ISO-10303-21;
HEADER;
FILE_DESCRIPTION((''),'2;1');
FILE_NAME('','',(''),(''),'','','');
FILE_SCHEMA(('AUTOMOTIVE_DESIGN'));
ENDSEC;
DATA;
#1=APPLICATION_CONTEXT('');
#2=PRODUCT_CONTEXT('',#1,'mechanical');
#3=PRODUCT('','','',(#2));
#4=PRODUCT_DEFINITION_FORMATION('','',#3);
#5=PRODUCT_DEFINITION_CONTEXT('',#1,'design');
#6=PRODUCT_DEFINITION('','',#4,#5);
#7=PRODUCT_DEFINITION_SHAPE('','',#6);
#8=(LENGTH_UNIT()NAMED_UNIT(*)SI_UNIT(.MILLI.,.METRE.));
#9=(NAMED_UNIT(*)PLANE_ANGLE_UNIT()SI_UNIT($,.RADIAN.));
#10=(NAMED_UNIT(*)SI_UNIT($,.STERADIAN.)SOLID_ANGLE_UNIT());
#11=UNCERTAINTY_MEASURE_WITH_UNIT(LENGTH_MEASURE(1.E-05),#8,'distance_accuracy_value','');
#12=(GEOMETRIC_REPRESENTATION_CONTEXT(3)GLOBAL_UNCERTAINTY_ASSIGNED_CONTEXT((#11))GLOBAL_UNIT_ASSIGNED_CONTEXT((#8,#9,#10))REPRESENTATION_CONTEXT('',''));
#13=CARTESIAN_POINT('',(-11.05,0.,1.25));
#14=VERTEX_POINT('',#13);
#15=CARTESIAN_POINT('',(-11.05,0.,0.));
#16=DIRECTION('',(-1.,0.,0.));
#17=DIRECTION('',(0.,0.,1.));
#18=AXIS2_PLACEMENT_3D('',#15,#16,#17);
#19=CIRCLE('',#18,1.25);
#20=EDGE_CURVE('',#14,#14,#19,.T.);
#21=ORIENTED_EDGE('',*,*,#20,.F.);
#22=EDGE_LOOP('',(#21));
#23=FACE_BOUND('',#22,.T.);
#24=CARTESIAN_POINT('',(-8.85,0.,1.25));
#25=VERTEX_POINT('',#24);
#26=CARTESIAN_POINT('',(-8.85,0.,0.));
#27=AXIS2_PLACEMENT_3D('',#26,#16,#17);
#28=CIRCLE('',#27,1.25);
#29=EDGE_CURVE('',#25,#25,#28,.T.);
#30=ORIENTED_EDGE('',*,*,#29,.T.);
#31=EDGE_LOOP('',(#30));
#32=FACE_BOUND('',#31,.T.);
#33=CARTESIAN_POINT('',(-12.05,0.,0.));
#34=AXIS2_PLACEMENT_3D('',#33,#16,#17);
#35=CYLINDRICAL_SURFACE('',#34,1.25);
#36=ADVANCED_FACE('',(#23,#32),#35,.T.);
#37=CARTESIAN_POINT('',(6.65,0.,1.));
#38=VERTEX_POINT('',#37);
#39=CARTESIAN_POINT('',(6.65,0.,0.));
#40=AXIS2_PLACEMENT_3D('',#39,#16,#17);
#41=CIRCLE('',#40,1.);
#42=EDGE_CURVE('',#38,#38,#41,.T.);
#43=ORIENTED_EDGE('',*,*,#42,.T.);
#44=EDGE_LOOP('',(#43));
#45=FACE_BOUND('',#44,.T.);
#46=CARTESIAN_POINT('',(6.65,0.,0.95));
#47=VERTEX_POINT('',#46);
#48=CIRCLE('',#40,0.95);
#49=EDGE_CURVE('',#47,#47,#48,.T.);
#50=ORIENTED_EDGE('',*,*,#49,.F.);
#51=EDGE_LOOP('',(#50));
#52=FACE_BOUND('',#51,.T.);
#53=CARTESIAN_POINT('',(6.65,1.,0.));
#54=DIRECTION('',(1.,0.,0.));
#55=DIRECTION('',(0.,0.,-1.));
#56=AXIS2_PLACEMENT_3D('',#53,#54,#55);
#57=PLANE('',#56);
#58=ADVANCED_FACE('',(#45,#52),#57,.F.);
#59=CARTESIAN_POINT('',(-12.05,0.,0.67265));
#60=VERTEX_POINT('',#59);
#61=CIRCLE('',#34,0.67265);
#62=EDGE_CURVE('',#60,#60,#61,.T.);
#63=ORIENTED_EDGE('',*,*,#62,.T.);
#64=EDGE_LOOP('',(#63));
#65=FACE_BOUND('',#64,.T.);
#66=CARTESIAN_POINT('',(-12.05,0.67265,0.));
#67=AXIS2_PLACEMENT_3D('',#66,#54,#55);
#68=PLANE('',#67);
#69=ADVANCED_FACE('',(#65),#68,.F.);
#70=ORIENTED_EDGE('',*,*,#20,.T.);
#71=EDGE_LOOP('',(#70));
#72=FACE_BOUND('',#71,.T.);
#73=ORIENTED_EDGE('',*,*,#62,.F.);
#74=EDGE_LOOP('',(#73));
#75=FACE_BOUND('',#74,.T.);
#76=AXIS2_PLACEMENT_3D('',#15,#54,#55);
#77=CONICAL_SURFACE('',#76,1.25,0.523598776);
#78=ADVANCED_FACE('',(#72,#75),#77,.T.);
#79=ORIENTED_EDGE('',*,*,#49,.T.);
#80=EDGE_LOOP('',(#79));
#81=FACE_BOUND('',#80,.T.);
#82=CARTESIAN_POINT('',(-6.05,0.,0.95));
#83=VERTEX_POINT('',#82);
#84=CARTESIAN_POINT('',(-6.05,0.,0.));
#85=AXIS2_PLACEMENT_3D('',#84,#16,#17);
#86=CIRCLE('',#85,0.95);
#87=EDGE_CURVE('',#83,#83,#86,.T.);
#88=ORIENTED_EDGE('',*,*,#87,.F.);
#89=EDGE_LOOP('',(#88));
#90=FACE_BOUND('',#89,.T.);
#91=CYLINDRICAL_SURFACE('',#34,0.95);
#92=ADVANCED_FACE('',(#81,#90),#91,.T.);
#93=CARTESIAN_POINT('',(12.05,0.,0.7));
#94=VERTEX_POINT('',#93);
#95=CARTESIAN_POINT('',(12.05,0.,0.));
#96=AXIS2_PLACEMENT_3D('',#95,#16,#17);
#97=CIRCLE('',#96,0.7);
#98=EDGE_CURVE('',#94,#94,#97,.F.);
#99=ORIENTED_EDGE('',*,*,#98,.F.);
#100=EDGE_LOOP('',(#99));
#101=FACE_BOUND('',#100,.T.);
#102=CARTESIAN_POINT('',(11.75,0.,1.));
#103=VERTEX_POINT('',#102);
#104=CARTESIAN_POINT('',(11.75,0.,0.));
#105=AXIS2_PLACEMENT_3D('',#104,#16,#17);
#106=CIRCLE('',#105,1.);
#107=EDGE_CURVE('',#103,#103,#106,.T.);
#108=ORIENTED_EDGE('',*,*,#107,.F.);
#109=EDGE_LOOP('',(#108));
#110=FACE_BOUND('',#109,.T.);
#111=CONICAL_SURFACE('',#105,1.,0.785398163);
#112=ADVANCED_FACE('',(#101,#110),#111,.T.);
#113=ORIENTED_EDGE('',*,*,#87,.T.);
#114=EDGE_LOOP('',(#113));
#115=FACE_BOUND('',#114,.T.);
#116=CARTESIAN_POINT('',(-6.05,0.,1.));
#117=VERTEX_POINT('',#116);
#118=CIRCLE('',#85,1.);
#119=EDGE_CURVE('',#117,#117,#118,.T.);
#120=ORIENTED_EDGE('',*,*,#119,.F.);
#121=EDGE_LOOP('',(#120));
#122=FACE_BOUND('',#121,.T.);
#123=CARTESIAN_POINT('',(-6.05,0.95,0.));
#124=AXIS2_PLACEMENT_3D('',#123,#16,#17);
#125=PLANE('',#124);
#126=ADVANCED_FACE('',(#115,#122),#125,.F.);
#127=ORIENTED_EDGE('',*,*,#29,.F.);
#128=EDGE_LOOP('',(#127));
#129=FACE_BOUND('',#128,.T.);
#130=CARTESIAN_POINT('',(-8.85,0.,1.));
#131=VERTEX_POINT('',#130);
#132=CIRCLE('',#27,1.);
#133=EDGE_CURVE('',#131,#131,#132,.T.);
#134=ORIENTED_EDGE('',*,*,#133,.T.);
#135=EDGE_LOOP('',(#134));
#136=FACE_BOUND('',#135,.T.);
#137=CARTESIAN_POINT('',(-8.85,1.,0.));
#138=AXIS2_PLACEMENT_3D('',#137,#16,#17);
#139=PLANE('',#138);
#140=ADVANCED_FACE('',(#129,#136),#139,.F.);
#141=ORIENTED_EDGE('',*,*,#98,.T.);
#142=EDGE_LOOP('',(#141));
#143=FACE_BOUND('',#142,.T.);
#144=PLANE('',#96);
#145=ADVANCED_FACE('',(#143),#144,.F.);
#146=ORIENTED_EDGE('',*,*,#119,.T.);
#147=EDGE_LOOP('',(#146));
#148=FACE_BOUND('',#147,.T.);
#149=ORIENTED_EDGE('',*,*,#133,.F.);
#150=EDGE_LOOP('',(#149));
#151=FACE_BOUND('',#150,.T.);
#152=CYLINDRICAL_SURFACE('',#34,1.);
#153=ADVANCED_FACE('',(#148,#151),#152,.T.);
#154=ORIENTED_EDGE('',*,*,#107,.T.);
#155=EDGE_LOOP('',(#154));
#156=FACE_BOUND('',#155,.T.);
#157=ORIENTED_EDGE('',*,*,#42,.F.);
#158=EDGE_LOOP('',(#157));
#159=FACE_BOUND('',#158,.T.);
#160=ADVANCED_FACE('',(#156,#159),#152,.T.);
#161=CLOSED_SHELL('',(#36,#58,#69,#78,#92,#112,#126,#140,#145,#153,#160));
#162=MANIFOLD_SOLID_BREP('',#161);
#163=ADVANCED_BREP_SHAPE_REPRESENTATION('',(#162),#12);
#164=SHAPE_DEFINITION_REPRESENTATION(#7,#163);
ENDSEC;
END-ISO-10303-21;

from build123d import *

# Parameters (mm, degrees)
CHANFREIN1_SIZE = 0.3


with BuildPart() as part:
    # Esquisse1 → Révolution1 (revolve)
    with BuildSketch(Plane.XY):
        Polygon((12.05, 0), (12.05, 1), (6.65, 1), (6.65, 0.95), (-6.05, 0.95), (-6.05, 1), (-8.85, 1), (-8.85, 1.25), (-11.05, 1.25), (-12.05, 0.672649731), (-12.05, 0), align=None)
    revolve(axis=Axis((-12.05, 0, 0), (1, 0, 0)))

    # Chanfrein1
    chanfrein1_edges = [part.edges().sort_by_distance(p)[0] for p in [
        (12.05, -1, 0),
    ]]
    chamfer(chanfrein1_edges, length=CHANFREIN1_SIZE)


solid = part.part
